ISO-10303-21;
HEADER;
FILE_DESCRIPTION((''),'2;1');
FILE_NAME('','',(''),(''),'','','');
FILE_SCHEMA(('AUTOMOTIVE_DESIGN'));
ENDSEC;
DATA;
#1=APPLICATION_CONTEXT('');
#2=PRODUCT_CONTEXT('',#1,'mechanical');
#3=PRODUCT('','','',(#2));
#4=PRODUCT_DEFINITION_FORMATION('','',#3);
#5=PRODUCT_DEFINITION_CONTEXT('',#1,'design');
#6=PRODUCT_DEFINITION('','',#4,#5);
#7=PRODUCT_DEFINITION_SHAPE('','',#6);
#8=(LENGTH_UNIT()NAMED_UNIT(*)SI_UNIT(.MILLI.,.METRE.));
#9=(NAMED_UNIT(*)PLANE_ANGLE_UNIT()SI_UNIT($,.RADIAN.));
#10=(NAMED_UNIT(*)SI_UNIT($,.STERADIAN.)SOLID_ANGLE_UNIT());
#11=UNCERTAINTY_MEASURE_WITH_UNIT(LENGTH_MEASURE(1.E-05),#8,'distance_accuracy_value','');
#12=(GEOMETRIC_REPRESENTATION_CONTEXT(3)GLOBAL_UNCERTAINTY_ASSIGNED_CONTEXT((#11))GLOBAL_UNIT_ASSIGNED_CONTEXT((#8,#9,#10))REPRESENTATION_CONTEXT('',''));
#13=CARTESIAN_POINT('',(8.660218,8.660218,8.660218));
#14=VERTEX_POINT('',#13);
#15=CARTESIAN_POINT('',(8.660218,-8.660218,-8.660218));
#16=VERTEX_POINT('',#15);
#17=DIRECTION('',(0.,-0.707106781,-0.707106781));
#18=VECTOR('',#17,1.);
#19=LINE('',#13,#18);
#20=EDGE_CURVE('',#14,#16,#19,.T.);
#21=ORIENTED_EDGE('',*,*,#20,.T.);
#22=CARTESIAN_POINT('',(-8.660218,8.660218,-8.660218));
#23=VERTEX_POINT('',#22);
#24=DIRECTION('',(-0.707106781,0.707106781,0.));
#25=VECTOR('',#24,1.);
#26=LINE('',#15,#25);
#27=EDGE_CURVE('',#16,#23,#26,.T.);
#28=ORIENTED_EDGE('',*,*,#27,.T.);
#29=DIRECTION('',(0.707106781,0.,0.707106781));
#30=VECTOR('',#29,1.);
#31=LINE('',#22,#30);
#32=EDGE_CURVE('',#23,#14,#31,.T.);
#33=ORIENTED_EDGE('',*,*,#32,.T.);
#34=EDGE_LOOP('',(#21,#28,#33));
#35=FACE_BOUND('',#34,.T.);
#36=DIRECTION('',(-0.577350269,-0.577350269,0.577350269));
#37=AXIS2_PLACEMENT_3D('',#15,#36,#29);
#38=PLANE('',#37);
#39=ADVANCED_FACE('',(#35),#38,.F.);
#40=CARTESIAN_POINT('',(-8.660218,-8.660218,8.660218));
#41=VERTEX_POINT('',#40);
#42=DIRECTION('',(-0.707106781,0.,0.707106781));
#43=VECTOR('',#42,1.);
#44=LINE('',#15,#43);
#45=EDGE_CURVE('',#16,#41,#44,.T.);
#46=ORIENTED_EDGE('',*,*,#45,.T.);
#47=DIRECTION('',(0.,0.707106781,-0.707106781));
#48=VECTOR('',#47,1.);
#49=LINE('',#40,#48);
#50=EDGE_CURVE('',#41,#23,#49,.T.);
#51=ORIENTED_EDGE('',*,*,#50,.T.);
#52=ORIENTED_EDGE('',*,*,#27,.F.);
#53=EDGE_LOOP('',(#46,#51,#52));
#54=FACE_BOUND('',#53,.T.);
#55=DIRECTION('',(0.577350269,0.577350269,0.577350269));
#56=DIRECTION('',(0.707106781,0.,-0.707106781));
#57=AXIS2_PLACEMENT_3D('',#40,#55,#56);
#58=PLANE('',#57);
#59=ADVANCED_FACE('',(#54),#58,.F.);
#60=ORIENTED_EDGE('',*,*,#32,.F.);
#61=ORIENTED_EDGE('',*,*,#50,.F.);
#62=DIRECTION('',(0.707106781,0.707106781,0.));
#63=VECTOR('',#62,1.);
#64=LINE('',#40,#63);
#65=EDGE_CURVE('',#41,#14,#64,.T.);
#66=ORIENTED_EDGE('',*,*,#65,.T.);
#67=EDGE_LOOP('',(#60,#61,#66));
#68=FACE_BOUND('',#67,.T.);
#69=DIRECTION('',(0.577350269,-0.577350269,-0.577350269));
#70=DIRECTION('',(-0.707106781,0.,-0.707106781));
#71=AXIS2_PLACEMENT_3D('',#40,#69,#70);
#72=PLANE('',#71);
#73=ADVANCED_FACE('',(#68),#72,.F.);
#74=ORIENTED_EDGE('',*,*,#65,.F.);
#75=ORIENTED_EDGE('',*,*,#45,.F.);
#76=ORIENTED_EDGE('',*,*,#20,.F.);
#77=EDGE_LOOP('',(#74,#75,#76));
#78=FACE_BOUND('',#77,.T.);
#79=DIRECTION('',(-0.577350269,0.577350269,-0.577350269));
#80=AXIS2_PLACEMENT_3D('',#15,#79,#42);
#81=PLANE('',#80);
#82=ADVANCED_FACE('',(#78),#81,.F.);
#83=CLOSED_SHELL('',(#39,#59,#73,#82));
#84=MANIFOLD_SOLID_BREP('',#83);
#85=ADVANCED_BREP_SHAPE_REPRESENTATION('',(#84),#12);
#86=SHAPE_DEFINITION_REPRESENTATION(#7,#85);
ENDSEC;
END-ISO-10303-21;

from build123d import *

# Parameters (mm, degrees)
CIRPATTERN2_2_ANGLE   = 180
CIRPATTERN2_2_5_ANGLE = 180


with BuildPart() as body_1:
    # Sketch12 → Surface-Plane4: a flat surface bounded by the sketch
    with BuildSketch(Plane(origin=(-2.886739258, -2.886739258, -2.886739258), x_dir=(0.4082482904638632, 0.4082482904638626, -0.8164965809277261), z_dir=(0.5773502691896264, 0.5773502691896254, 0.5773502691896256)), mode=Mode.PRIVATE) as surface_plane4_1_region:
        Polygon((-14.142076406, 0), (7.071038203, -12.24739743), (7.071038203, 12.24739743), align=None)
    surface_plane4_1 = surface_plane4_1_region.sketch.faces()[0]
    # CirPattern2: a copy of that surface (a pattern of surface bodies)
    cirpattern2_2 = surface_plane4_1.rotate(Axis((0, 0, 0), (0, 1, 0)), CIRPATTERN2_2_ANGLE)
    # Sketch11 → Surface-Plane3: a flat surface bounded by the sketch
    with BuildSketch(Plane(origin=(2.886739258, 2.886739258, -2.886739258), x_dir=(0.40824829046386335, 0.4082482904638629, 0.8164965809277259), z_dir=(-0.577350269189626, -0.5773502691896255, 0.577350269189626)), mode=Mode.PRIVATE) as surface_plane3_3_region:
        Polygon((-7.071038203, -12.24739743), (14.142076406, 0), (-7.071038203, 12.24739743), align=None)
    surface_plane3_3 = surface_plane3_3_region.sketch.faces()[0]
    # Sketch11 → Surface-Plane3: a flat surface bounded by the sketch
    with BuildSketch(Plane(origin=(2.886739258, 2.886739258, -2.886739258), x_dir=(0.40824829046386335, 0.4082482904638629, 0.8164965809277259), z_dir=(-0.577350269189626, -0.5773502691896255, 0.577350269189626)), mode=Mode.PRIVATE) as surface_plane3_4_region:
        Polygon((-7.071038203, -12.24739743), (14.142076406, 0), (-7.071038203, 12.24739743), align=None)
    surface_plane3_4 = surface_plane3_4_region.sketch.faces()[0]
    # CirPattern2 2: a copy of that surface (a pattern of surface bodies)
    cirpattern2_2_5 = surface_plane3_4.rotate(Axis((0, 0, 0), (0, 1, 0)), CIRPATTERN2_2_5_ANGLE)
    # Sketch12 → Surface-Plane4: a flat surface bounded by the sketch
    with BuildSketch(Plane(origin=(-2.886739258, -2.886739258, -2.886739258), x_dir=(0.4082482904638632, 0.4082482904638626, -0.8164965809277261), z_dir=(0.5773502691896264, 0.5773502691896254, 0.5773502691896256)), mode=Mode.PRIVATE) as surface_plane4_6_region:
        Polygon((-14.142076406, 0), (7.071038203, -12.24739743), (7.071038203, 12.24739743), align=None)
    surface_plane4_6 = surface_plane4_6_region.sketch.faces()[0]
    # Surface-Knit2: the surfaces knitted into a closed skin and filled: a solid
    add(Solid(Shell(Face.sew_faces(cirpattern2_2.faces() + surface_plane3_3.faces() + cirpattern2_2_5.faces() + surface_plane4_6.faces())[0])))


solid = body_1.part
